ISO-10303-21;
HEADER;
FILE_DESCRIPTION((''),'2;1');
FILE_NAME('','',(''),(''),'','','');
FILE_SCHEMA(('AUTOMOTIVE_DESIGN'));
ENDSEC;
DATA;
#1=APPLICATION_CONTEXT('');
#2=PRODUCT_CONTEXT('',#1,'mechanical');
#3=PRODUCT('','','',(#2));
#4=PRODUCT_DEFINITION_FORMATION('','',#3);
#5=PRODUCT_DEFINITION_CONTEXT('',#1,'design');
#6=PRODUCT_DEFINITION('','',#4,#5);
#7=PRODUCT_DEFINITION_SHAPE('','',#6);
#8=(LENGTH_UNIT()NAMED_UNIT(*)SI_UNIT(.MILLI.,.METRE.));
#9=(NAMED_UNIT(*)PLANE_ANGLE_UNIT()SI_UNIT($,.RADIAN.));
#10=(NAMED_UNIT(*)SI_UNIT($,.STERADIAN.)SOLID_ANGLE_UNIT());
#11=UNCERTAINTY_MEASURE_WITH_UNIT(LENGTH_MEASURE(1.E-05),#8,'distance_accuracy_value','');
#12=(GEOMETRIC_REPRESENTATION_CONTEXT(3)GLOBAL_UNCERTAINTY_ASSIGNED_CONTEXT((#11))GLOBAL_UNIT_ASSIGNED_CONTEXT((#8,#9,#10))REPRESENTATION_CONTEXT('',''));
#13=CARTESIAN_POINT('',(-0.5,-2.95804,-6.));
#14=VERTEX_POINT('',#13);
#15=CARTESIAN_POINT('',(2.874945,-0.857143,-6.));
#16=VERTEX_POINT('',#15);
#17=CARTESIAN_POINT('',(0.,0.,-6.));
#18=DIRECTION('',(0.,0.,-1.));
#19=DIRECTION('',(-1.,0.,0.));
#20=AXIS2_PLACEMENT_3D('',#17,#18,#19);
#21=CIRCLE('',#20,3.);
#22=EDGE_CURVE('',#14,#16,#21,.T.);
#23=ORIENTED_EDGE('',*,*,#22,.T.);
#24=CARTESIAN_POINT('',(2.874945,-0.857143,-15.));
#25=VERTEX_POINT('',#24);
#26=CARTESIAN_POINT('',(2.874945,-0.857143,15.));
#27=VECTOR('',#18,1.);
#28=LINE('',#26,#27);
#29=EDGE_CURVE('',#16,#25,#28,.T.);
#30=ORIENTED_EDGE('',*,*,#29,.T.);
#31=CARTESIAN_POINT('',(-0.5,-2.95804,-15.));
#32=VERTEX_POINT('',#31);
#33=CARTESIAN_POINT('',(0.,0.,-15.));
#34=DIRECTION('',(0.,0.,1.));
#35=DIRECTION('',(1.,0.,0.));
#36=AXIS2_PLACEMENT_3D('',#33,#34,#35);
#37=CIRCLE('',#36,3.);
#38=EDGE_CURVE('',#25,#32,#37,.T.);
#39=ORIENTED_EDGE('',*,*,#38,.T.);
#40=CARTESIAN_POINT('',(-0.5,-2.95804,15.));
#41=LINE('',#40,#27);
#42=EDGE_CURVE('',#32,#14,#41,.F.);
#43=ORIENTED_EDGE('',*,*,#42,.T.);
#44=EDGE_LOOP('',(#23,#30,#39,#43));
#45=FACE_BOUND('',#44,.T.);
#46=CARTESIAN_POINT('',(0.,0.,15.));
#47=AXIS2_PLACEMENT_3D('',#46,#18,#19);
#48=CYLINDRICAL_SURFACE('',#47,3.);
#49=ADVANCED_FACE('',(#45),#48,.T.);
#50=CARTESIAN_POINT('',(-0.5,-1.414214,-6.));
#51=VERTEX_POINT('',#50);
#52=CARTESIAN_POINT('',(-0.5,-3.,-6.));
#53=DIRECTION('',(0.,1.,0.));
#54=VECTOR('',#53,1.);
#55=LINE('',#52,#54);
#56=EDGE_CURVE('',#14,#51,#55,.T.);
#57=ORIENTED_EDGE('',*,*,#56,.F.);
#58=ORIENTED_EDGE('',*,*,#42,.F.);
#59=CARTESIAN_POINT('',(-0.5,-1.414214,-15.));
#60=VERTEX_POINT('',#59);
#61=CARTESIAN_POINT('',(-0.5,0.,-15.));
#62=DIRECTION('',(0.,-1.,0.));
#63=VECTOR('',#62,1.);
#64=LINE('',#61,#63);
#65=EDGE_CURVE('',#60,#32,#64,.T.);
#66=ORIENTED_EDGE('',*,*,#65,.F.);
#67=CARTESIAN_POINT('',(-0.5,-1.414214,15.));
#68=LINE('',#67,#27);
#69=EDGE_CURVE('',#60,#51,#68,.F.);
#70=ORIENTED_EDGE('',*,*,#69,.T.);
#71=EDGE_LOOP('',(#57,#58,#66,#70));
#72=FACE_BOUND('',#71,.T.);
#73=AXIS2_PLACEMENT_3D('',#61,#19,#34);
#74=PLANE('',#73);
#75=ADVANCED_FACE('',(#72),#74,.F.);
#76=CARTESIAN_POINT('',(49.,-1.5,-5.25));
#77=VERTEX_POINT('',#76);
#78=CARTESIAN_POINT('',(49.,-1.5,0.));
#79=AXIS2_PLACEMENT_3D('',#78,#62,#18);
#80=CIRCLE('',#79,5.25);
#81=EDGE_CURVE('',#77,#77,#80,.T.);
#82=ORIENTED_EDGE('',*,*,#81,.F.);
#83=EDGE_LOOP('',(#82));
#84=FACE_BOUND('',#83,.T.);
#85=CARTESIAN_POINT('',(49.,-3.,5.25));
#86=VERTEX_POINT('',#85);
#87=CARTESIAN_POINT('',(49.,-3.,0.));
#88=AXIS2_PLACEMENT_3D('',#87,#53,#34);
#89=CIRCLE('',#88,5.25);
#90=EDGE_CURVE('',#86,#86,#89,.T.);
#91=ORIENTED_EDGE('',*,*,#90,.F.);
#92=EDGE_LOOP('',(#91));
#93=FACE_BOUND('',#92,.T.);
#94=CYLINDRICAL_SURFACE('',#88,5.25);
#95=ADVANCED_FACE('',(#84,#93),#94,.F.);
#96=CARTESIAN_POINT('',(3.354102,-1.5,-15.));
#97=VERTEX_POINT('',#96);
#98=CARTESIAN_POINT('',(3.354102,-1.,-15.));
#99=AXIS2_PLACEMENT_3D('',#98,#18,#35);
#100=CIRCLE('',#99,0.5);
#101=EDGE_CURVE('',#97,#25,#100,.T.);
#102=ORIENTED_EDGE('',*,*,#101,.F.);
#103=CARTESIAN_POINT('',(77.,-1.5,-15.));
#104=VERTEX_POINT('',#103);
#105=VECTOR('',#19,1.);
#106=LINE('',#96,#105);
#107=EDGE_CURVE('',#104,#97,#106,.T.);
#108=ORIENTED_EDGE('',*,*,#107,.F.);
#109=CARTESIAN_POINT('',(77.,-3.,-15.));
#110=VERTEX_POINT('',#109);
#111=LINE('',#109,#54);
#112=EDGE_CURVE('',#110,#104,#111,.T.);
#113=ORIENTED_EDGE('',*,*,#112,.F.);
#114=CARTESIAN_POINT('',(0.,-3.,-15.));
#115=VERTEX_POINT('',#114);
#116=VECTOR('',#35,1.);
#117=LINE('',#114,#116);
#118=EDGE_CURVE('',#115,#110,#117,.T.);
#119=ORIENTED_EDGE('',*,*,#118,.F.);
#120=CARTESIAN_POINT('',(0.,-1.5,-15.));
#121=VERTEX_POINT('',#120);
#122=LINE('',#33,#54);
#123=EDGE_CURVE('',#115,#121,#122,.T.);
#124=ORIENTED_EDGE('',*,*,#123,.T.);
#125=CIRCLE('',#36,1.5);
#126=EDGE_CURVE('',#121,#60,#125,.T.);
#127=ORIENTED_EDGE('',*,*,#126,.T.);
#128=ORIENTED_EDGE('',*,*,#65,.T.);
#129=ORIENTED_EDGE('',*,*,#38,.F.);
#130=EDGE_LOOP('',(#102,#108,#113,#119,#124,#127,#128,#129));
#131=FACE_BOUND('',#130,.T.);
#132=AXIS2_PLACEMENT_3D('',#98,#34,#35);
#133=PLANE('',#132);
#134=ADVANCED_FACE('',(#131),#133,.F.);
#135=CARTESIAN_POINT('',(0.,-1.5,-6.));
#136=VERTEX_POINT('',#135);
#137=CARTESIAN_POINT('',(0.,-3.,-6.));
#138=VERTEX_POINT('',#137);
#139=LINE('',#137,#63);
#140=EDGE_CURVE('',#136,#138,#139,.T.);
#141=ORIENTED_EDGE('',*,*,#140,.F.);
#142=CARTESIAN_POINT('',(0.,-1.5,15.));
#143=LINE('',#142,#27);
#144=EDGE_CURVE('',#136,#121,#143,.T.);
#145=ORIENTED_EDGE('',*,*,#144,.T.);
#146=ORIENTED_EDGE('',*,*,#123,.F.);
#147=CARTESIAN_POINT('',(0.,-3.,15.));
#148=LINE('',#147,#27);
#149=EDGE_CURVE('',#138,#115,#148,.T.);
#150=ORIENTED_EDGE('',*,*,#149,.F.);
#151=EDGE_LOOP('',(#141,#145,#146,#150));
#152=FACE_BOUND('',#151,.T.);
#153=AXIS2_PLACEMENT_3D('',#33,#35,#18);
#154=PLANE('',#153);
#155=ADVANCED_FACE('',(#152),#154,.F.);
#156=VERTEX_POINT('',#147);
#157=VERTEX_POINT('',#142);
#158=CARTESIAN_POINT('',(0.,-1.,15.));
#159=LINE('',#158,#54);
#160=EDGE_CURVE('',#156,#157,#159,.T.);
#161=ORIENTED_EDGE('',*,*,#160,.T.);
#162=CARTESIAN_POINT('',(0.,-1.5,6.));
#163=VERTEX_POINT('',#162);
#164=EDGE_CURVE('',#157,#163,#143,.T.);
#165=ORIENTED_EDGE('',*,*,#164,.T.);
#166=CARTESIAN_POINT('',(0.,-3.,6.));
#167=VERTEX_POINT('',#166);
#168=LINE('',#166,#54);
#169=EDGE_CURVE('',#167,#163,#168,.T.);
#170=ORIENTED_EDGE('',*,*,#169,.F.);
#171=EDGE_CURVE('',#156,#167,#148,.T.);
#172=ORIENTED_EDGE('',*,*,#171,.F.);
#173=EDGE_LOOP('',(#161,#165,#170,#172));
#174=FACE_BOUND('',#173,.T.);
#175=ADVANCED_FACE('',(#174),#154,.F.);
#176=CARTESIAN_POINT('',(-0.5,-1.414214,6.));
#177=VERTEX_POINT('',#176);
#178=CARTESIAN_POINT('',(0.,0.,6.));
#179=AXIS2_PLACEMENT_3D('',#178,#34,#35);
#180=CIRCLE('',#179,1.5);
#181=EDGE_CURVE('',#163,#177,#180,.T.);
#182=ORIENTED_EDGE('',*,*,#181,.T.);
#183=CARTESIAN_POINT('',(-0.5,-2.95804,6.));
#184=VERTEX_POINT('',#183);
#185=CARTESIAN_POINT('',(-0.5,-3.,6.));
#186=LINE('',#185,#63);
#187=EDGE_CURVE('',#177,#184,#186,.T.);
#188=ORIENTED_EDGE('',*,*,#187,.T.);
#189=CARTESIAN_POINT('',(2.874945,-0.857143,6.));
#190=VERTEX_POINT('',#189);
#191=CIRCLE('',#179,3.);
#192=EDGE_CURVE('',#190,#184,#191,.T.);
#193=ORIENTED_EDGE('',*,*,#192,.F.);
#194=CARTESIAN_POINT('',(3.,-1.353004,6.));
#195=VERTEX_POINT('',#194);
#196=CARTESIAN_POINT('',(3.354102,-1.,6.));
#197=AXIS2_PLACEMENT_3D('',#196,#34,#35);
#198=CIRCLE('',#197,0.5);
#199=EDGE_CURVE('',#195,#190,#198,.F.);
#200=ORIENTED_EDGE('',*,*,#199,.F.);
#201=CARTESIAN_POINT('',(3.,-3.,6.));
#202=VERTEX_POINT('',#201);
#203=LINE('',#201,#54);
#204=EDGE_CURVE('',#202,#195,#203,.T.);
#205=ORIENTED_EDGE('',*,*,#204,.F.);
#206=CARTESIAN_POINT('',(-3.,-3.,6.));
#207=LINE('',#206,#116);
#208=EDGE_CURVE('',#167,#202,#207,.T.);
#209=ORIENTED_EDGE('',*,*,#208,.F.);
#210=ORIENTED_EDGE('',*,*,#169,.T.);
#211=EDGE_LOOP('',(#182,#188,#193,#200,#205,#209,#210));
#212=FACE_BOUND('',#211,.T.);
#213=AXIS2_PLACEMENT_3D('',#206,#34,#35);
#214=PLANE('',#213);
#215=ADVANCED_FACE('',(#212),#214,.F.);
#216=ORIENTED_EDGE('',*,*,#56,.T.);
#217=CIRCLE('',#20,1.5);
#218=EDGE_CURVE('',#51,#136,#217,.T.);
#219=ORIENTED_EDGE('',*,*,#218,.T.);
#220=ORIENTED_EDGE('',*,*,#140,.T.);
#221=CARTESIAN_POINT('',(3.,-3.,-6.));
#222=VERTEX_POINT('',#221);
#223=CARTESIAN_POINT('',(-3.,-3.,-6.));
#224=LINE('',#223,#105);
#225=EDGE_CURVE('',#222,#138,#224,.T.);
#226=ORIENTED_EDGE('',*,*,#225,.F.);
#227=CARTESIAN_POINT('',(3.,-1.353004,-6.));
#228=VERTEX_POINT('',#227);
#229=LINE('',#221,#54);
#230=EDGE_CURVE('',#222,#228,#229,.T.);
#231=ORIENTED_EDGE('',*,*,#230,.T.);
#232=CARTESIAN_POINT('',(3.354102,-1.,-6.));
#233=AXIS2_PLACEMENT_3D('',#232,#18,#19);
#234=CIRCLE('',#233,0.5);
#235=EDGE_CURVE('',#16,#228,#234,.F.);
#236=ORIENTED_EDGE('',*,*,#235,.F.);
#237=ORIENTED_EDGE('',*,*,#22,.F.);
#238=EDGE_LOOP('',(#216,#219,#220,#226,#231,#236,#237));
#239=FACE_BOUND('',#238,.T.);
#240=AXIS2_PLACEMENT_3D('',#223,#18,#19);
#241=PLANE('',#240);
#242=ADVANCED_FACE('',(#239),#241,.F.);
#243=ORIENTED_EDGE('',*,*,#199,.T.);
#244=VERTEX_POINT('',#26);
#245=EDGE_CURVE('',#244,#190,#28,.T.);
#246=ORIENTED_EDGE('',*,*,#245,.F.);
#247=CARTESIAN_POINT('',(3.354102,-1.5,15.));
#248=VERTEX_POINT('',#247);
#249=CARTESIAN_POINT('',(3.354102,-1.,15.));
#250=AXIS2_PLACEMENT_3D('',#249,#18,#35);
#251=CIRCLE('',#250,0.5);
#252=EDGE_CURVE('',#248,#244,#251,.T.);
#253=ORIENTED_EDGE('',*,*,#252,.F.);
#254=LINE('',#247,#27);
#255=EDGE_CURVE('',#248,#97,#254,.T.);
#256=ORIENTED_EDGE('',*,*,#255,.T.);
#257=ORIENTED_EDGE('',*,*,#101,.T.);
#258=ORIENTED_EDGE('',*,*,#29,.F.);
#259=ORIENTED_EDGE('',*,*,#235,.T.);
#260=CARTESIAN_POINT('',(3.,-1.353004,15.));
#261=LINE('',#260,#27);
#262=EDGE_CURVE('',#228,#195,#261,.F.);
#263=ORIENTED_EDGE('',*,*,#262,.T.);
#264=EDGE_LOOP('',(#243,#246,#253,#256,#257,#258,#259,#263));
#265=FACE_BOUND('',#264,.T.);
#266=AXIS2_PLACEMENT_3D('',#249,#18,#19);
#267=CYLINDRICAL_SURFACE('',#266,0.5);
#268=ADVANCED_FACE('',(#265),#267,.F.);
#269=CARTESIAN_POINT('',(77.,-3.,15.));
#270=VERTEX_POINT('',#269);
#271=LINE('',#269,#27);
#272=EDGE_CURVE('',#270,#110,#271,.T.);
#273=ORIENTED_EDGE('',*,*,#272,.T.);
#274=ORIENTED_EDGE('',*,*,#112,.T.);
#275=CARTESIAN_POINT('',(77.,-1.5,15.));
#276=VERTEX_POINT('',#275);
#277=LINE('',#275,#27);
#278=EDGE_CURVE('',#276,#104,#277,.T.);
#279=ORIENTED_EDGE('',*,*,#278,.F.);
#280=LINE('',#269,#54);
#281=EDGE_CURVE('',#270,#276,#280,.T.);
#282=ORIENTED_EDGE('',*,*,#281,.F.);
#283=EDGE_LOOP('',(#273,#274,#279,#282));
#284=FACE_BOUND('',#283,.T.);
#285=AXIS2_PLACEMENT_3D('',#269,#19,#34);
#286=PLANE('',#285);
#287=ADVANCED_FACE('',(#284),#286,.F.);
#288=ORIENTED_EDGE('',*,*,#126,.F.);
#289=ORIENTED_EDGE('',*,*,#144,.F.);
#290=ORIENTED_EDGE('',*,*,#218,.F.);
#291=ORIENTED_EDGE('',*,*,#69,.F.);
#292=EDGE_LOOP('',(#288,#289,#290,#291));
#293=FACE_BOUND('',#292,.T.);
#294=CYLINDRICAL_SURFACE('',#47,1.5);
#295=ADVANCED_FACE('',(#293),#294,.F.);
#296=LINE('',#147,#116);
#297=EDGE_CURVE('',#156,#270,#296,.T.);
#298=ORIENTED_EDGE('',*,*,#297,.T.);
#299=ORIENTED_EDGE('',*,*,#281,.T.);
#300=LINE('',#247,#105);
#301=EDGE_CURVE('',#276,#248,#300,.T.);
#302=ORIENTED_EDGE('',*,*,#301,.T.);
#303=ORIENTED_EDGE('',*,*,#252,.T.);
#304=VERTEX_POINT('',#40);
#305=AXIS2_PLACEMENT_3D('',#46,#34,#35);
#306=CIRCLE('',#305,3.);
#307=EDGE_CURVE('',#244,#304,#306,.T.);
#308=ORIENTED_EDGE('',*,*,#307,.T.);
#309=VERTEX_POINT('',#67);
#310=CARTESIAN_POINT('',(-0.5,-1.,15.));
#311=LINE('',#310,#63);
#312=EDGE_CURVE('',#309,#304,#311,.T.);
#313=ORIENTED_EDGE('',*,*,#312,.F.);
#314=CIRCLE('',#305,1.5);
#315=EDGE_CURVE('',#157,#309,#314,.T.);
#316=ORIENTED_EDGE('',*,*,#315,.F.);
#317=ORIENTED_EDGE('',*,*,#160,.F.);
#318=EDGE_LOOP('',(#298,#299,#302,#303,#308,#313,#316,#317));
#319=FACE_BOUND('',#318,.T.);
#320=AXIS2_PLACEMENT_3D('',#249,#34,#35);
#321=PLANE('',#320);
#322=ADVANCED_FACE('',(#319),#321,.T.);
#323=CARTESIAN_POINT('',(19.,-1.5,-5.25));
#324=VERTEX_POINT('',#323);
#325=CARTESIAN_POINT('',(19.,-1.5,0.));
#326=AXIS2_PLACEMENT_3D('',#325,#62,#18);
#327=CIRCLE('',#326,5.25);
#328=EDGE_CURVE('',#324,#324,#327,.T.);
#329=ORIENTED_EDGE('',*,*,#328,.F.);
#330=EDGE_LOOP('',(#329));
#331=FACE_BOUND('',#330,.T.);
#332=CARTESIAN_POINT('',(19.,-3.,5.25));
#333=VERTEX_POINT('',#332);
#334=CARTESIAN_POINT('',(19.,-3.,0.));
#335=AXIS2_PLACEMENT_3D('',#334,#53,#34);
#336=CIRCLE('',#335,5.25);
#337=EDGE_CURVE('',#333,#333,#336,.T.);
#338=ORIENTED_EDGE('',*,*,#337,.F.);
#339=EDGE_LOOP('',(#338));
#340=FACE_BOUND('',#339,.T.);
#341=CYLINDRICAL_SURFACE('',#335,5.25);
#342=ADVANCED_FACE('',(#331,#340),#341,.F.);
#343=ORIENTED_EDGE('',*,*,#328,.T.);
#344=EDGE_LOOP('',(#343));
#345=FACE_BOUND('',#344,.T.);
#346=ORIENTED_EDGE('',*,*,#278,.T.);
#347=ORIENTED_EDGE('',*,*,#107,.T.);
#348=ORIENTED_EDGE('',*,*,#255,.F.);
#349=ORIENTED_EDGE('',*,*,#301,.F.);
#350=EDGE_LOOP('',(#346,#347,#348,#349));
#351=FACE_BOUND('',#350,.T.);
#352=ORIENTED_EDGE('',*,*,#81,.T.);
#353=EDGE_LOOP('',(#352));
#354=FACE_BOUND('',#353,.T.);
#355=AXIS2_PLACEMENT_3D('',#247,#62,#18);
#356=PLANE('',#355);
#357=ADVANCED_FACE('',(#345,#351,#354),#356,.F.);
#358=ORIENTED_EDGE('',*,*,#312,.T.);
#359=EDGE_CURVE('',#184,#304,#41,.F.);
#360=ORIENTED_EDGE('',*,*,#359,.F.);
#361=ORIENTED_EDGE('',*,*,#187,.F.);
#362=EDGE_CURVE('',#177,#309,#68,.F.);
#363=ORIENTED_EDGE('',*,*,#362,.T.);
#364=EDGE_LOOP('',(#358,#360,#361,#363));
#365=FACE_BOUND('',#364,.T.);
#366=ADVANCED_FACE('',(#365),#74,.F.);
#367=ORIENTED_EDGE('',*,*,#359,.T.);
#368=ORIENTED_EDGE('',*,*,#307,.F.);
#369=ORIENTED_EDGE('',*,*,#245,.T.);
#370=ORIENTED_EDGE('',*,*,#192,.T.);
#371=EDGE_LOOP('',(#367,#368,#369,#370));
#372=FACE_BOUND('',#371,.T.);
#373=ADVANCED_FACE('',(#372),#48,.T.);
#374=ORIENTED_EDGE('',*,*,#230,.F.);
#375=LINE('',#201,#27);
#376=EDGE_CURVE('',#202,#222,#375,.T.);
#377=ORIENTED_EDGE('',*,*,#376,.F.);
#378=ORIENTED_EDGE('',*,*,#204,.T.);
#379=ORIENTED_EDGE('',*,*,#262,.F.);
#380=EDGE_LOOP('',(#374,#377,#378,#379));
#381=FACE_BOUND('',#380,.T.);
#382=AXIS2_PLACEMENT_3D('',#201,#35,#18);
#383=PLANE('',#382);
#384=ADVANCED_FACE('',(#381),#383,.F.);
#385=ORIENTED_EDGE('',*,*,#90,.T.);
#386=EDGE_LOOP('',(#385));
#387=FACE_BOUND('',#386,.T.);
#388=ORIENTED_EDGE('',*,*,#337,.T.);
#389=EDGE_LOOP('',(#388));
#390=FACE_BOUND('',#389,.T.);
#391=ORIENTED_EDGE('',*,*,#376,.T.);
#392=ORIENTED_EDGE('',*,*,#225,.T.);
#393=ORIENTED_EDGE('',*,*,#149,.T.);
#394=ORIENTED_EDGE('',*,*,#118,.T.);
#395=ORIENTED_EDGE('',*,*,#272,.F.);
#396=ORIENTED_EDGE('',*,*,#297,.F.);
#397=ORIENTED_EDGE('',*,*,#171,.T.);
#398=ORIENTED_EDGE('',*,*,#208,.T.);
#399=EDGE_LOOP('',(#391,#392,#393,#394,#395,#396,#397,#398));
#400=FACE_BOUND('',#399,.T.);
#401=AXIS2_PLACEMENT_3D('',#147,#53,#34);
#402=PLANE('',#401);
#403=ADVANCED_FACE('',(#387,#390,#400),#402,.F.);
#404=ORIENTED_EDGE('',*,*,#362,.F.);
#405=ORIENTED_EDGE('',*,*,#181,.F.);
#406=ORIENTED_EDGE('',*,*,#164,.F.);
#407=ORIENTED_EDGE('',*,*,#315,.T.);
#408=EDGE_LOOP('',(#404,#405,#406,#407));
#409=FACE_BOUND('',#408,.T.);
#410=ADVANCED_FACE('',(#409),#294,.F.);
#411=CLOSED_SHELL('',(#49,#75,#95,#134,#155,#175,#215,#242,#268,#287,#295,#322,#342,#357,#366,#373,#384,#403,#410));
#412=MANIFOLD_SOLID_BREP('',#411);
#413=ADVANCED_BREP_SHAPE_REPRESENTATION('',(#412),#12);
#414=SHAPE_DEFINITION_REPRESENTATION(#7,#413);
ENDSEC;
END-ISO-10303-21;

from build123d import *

# Parameters (mm, degrees)
SKETCH_1_R               = 1.5
EXTRUDE_1_DEPTH          = 15
CUT_EXTRUDE_2_DEPTH      = 79.576395947
CUT_EXTRUDE_2_DEPTH_BACK = 79.576395947
SKETCH_2_W               = 6
SKETCH_2_H               = 12
CUT_EXTRUDE_3_DEPTH      = 83.692200358
CUT_EXTRUDE_3_DEPTH_BACK = 83.692200358
SKETCH_3_W               = 0.5
SKETCH_3_H               = 10
CUT_EXTRUDE_4_DEPTH      = 79.576395947
CUT_EXTRUDE_4_DEPTH_BACK = 79.576395947
SKETCH_4_R               = 5.25


with BuildPart() as part:
    # 草图1 → 凸台-拉伸1 (new, symmetric)
    with BuildSketch(Plane.XY):
        with BuildLine():
            Line((0, -3), (77, -3))
            Line((77, -3), (77, -1.5))
            Line((77, -1.5), (3.354101966, -1.5))
            ThreePointArc((3.354101966, -1.5), (2.953210103, -1.298807152), (2.874944542, -0.857142857))
            ThreePointArc((2.874944542, -0.857142857), (-1.792842914, 2.405351177), (0, -3))
        make_face()
        Circle(SKETCH_1_R, mode=Mode.SUBTRACT)
    extrude(amount=EXTRUDE_1_DEPTH, both=True)

    # 草图2 → 切除-拉伸2 (cut, two sides: drawn at the far end of the back side and taken through both)
    with BuildSketch(Plane(origin=(0, -1.5, 0), x_dir=(1, 0, 0), z_dir=(0, 1, 0)).offset(-CUT_EXTRUDE_2_DEPTH_BACK)):
        Rectangle(SKETCH_2_W, SKETCH_2_H)
    extrude(amount=CUT_EXTRUDE_2_DEPTH + CUT_EXTRUDE_2_DEPTH_BACK, mode=Mode.SUBTRACT)

    # 草图3 → 切除-拉伸3 (cut, two sides: drawn at the far end of the back side and taken through both)
    with BuildSketch(Plane.XY.offset(15).offset(-CUT_EXTRUDE_3_DEPTH_BACK)):
        with Locations((-0.25, -5)):
            Rectangle(SKETCH_3_W, SKETCH_3_H)
    extrude(amount=CUT_EXTRUDE_3_DEPTH + CUT_EXTRUDE_3_DEPTH_BACK, mode=Mode.SUBTRACT)

    # 草图4 → 切除-拉伸4 (cut, two sides: drawn at the far end of the back side and taken through both)
    with BuildSketch(Plane(origin=(0, -1.5, 0), x_dir=(1, 0, 0), z_dir=(0, 1, 0)).offset(-CUT_EXTRUDE_4_DEPTH_BACK)):
        with Locations(Location((19, 0, 0), (0, 0, 270))):
            Circle(SKETCH_4_R)
        with Locations(Location((49, 0, 0), (0, 0, 270))):
            Circle(SKETCH_4_R)
    extrude(amount=CUT_EXTRUDE_4_DEPTH + CUT_EXTRUDE_4_DEPTH_BACK, mode=Mode.SUBTRACT)


solid = part.part
